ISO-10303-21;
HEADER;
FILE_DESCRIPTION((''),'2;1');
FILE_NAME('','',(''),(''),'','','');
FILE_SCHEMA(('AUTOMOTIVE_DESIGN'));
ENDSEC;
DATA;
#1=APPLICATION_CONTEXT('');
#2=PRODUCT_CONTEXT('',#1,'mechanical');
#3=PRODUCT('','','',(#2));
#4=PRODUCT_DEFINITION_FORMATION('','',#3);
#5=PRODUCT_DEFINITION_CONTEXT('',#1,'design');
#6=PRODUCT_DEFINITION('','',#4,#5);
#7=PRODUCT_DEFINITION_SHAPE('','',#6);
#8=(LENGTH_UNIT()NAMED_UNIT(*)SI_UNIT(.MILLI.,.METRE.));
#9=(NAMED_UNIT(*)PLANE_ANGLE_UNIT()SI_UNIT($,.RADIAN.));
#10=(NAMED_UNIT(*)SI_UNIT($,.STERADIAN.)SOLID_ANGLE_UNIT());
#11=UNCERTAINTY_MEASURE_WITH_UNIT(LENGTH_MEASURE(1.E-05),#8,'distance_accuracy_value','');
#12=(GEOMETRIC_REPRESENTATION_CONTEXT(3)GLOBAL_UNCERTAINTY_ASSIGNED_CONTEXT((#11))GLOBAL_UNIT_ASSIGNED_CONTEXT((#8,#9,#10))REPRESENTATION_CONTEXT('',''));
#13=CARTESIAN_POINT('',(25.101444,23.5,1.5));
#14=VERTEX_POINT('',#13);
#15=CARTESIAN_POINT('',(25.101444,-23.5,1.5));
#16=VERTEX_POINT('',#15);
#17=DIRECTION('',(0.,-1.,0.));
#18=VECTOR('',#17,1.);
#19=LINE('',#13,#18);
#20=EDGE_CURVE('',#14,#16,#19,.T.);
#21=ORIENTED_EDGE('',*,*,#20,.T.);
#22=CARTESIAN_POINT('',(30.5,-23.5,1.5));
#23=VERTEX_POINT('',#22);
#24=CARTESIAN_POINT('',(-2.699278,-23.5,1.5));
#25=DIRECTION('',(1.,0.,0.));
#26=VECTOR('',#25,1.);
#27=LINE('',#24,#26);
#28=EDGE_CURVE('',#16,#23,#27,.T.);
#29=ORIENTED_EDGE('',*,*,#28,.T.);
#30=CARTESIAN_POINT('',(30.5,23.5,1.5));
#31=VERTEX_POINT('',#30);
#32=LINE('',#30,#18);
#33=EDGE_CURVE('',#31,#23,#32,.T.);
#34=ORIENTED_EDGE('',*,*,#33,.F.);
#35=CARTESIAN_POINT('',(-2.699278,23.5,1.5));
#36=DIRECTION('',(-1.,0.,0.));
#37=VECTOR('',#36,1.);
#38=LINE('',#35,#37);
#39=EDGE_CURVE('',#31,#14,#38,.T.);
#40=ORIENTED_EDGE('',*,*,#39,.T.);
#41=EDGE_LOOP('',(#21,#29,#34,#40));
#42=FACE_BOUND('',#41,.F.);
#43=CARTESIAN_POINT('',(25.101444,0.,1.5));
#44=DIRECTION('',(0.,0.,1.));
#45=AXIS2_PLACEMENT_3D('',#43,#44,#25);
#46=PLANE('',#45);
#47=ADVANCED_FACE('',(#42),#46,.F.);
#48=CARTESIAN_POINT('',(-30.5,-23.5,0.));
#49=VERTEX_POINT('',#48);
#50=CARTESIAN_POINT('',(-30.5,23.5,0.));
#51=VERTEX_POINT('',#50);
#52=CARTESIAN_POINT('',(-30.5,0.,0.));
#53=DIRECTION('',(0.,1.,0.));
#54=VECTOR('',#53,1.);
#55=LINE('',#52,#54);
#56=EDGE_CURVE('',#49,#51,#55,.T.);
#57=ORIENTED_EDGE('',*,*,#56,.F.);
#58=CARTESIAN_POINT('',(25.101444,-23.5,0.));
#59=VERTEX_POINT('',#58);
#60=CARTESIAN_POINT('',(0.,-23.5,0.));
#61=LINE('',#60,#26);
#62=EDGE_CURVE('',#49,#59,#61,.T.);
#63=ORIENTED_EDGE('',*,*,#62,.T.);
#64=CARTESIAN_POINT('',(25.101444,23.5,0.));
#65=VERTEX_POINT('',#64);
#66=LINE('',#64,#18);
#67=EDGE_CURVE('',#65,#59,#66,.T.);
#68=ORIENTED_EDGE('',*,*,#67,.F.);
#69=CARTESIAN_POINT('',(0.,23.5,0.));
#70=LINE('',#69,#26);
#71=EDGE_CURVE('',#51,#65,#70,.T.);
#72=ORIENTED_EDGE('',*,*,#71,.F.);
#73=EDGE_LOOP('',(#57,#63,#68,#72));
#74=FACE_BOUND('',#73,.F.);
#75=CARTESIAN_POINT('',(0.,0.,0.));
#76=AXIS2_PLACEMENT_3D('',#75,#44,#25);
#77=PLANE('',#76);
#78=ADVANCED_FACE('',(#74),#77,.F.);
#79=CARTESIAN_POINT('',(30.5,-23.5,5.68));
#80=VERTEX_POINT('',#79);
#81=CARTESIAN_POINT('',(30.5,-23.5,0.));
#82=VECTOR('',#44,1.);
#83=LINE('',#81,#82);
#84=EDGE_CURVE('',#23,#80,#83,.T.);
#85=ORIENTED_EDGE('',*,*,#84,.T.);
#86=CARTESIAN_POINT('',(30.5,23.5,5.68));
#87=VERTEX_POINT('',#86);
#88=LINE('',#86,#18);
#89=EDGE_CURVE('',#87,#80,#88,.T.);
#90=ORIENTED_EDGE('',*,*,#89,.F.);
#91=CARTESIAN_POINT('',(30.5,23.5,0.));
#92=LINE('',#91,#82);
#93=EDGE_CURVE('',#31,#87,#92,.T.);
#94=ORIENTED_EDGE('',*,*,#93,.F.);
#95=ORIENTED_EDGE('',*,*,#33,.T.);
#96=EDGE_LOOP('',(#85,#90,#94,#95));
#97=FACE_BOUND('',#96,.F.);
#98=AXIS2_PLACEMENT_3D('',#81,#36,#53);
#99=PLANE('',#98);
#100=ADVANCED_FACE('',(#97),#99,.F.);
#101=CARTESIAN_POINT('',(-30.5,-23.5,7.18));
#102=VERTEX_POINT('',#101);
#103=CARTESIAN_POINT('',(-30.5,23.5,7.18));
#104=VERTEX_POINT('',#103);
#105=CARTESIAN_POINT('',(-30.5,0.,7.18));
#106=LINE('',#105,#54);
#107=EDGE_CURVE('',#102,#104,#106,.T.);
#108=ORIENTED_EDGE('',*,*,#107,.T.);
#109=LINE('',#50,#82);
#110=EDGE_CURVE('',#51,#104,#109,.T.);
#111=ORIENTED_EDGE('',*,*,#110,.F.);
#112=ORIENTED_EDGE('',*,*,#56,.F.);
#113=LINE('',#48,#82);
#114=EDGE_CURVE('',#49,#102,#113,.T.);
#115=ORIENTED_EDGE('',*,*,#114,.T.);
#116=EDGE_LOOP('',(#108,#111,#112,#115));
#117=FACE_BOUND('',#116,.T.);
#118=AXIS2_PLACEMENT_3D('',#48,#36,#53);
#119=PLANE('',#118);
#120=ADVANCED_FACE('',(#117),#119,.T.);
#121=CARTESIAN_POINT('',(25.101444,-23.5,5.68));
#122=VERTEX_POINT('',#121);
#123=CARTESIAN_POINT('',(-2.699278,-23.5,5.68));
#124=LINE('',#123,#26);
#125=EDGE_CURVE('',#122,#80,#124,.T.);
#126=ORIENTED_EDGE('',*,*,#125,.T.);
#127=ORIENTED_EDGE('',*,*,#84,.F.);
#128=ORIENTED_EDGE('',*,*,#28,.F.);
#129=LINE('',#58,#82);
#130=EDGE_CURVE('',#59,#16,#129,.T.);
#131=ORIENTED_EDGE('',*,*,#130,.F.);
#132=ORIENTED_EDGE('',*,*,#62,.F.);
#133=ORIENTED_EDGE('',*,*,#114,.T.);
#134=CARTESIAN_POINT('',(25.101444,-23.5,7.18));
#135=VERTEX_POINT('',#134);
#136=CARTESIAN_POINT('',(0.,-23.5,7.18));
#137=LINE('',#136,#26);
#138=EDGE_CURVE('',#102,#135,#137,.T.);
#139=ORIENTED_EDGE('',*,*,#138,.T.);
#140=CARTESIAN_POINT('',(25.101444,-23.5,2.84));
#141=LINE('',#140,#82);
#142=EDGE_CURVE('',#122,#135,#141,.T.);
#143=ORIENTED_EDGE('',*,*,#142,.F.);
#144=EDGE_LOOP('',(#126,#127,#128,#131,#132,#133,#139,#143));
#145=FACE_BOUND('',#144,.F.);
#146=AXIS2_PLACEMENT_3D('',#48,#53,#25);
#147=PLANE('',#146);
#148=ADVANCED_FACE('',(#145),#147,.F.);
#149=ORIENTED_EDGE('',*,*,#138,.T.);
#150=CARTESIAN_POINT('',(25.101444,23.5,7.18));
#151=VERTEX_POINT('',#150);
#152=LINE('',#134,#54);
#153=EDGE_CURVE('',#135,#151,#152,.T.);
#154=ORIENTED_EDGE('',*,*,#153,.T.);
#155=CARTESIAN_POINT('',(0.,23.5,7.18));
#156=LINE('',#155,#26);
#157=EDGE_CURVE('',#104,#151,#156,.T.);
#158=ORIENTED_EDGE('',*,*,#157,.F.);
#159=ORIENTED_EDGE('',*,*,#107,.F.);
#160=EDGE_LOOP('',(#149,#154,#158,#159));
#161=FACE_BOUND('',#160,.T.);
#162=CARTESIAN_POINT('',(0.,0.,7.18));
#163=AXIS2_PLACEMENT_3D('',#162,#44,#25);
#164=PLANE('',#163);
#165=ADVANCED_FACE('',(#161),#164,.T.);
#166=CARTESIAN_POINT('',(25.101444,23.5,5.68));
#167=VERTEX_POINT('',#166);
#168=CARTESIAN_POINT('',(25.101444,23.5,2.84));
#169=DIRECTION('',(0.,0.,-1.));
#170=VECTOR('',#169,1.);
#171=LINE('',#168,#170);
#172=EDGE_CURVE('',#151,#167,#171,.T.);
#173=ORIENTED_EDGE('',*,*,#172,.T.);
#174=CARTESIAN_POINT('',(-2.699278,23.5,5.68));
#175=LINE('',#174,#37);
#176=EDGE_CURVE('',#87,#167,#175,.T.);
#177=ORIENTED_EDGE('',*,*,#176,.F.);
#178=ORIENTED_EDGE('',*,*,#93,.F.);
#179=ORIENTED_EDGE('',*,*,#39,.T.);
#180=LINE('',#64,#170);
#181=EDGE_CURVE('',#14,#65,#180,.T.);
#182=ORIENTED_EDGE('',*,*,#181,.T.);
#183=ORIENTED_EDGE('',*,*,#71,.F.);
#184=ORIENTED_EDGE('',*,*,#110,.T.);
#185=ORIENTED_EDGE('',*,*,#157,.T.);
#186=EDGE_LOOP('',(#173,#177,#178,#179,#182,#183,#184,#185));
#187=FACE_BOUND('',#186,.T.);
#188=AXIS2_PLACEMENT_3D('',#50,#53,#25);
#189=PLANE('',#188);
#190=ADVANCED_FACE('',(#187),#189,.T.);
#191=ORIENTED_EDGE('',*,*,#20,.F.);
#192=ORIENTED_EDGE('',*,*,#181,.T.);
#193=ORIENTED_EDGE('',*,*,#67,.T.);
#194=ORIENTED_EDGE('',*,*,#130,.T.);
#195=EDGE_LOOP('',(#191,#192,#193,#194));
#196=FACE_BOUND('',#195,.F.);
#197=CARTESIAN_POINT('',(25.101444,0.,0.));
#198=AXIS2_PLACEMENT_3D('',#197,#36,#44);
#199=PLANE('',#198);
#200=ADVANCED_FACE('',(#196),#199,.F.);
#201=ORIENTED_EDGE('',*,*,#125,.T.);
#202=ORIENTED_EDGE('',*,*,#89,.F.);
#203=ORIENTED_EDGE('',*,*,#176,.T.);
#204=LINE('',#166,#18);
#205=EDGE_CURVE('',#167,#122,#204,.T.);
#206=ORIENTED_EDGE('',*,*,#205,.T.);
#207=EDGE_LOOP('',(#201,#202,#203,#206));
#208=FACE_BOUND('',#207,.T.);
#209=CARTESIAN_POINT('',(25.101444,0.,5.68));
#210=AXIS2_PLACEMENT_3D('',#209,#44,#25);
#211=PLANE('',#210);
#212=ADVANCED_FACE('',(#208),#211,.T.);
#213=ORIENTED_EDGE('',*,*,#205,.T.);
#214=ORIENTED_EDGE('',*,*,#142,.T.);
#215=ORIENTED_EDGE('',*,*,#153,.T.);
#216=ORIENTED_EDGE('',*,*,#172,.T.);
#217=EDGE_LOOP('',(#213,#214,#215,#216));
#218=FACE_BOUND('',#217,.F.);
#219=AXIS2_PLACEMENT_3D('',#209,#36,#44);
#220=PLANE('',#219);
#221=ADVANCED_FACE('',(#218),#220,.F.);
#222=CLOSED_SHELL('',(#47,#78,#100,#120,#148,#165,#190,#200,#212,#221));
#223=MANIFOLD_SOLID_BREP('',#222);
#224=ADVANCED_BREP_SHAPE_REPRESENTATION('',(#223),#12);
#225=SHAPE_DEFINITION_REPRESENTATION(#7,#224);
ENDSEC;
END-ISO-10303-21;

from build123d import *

# Parameters (mm, degrees)
F0_W          = 61
F0_H          = 47
F1_DEPTH      = 7.18
F2_W          = 5.3985562474
F2_H          = 1.5
F3_DEPTH      = 23.501
F3_DEPTH_BACK = 23.501


with BuildPart() as f1:
    # F0 (on Top) → F1 (new body)
    with BuildSketch(Plane.XY):
        Rectangle(F0_W, F0_H)
    extrude(amount=F1_DEPTH)

    # F2 (on Front) → F3 (cut, two sides)
    with BuildSketch(Plane.XZ) as f3_sk:
        with Locations((27.8007218763, 0.75)):
            Rectangle(F2_W, F2_H)
        with Locations((27.8007218763, 6.43)):
            Rectangle(F2_W, F2_H)
    extrude(amount=-F3_DEPTH, mode=Mode.SUBTRACT)
    extrude(f3_sk.sketch, amount=F3_DEPTH_BACK, mode=Mode.SUBTRACT)


solid = f1.part
